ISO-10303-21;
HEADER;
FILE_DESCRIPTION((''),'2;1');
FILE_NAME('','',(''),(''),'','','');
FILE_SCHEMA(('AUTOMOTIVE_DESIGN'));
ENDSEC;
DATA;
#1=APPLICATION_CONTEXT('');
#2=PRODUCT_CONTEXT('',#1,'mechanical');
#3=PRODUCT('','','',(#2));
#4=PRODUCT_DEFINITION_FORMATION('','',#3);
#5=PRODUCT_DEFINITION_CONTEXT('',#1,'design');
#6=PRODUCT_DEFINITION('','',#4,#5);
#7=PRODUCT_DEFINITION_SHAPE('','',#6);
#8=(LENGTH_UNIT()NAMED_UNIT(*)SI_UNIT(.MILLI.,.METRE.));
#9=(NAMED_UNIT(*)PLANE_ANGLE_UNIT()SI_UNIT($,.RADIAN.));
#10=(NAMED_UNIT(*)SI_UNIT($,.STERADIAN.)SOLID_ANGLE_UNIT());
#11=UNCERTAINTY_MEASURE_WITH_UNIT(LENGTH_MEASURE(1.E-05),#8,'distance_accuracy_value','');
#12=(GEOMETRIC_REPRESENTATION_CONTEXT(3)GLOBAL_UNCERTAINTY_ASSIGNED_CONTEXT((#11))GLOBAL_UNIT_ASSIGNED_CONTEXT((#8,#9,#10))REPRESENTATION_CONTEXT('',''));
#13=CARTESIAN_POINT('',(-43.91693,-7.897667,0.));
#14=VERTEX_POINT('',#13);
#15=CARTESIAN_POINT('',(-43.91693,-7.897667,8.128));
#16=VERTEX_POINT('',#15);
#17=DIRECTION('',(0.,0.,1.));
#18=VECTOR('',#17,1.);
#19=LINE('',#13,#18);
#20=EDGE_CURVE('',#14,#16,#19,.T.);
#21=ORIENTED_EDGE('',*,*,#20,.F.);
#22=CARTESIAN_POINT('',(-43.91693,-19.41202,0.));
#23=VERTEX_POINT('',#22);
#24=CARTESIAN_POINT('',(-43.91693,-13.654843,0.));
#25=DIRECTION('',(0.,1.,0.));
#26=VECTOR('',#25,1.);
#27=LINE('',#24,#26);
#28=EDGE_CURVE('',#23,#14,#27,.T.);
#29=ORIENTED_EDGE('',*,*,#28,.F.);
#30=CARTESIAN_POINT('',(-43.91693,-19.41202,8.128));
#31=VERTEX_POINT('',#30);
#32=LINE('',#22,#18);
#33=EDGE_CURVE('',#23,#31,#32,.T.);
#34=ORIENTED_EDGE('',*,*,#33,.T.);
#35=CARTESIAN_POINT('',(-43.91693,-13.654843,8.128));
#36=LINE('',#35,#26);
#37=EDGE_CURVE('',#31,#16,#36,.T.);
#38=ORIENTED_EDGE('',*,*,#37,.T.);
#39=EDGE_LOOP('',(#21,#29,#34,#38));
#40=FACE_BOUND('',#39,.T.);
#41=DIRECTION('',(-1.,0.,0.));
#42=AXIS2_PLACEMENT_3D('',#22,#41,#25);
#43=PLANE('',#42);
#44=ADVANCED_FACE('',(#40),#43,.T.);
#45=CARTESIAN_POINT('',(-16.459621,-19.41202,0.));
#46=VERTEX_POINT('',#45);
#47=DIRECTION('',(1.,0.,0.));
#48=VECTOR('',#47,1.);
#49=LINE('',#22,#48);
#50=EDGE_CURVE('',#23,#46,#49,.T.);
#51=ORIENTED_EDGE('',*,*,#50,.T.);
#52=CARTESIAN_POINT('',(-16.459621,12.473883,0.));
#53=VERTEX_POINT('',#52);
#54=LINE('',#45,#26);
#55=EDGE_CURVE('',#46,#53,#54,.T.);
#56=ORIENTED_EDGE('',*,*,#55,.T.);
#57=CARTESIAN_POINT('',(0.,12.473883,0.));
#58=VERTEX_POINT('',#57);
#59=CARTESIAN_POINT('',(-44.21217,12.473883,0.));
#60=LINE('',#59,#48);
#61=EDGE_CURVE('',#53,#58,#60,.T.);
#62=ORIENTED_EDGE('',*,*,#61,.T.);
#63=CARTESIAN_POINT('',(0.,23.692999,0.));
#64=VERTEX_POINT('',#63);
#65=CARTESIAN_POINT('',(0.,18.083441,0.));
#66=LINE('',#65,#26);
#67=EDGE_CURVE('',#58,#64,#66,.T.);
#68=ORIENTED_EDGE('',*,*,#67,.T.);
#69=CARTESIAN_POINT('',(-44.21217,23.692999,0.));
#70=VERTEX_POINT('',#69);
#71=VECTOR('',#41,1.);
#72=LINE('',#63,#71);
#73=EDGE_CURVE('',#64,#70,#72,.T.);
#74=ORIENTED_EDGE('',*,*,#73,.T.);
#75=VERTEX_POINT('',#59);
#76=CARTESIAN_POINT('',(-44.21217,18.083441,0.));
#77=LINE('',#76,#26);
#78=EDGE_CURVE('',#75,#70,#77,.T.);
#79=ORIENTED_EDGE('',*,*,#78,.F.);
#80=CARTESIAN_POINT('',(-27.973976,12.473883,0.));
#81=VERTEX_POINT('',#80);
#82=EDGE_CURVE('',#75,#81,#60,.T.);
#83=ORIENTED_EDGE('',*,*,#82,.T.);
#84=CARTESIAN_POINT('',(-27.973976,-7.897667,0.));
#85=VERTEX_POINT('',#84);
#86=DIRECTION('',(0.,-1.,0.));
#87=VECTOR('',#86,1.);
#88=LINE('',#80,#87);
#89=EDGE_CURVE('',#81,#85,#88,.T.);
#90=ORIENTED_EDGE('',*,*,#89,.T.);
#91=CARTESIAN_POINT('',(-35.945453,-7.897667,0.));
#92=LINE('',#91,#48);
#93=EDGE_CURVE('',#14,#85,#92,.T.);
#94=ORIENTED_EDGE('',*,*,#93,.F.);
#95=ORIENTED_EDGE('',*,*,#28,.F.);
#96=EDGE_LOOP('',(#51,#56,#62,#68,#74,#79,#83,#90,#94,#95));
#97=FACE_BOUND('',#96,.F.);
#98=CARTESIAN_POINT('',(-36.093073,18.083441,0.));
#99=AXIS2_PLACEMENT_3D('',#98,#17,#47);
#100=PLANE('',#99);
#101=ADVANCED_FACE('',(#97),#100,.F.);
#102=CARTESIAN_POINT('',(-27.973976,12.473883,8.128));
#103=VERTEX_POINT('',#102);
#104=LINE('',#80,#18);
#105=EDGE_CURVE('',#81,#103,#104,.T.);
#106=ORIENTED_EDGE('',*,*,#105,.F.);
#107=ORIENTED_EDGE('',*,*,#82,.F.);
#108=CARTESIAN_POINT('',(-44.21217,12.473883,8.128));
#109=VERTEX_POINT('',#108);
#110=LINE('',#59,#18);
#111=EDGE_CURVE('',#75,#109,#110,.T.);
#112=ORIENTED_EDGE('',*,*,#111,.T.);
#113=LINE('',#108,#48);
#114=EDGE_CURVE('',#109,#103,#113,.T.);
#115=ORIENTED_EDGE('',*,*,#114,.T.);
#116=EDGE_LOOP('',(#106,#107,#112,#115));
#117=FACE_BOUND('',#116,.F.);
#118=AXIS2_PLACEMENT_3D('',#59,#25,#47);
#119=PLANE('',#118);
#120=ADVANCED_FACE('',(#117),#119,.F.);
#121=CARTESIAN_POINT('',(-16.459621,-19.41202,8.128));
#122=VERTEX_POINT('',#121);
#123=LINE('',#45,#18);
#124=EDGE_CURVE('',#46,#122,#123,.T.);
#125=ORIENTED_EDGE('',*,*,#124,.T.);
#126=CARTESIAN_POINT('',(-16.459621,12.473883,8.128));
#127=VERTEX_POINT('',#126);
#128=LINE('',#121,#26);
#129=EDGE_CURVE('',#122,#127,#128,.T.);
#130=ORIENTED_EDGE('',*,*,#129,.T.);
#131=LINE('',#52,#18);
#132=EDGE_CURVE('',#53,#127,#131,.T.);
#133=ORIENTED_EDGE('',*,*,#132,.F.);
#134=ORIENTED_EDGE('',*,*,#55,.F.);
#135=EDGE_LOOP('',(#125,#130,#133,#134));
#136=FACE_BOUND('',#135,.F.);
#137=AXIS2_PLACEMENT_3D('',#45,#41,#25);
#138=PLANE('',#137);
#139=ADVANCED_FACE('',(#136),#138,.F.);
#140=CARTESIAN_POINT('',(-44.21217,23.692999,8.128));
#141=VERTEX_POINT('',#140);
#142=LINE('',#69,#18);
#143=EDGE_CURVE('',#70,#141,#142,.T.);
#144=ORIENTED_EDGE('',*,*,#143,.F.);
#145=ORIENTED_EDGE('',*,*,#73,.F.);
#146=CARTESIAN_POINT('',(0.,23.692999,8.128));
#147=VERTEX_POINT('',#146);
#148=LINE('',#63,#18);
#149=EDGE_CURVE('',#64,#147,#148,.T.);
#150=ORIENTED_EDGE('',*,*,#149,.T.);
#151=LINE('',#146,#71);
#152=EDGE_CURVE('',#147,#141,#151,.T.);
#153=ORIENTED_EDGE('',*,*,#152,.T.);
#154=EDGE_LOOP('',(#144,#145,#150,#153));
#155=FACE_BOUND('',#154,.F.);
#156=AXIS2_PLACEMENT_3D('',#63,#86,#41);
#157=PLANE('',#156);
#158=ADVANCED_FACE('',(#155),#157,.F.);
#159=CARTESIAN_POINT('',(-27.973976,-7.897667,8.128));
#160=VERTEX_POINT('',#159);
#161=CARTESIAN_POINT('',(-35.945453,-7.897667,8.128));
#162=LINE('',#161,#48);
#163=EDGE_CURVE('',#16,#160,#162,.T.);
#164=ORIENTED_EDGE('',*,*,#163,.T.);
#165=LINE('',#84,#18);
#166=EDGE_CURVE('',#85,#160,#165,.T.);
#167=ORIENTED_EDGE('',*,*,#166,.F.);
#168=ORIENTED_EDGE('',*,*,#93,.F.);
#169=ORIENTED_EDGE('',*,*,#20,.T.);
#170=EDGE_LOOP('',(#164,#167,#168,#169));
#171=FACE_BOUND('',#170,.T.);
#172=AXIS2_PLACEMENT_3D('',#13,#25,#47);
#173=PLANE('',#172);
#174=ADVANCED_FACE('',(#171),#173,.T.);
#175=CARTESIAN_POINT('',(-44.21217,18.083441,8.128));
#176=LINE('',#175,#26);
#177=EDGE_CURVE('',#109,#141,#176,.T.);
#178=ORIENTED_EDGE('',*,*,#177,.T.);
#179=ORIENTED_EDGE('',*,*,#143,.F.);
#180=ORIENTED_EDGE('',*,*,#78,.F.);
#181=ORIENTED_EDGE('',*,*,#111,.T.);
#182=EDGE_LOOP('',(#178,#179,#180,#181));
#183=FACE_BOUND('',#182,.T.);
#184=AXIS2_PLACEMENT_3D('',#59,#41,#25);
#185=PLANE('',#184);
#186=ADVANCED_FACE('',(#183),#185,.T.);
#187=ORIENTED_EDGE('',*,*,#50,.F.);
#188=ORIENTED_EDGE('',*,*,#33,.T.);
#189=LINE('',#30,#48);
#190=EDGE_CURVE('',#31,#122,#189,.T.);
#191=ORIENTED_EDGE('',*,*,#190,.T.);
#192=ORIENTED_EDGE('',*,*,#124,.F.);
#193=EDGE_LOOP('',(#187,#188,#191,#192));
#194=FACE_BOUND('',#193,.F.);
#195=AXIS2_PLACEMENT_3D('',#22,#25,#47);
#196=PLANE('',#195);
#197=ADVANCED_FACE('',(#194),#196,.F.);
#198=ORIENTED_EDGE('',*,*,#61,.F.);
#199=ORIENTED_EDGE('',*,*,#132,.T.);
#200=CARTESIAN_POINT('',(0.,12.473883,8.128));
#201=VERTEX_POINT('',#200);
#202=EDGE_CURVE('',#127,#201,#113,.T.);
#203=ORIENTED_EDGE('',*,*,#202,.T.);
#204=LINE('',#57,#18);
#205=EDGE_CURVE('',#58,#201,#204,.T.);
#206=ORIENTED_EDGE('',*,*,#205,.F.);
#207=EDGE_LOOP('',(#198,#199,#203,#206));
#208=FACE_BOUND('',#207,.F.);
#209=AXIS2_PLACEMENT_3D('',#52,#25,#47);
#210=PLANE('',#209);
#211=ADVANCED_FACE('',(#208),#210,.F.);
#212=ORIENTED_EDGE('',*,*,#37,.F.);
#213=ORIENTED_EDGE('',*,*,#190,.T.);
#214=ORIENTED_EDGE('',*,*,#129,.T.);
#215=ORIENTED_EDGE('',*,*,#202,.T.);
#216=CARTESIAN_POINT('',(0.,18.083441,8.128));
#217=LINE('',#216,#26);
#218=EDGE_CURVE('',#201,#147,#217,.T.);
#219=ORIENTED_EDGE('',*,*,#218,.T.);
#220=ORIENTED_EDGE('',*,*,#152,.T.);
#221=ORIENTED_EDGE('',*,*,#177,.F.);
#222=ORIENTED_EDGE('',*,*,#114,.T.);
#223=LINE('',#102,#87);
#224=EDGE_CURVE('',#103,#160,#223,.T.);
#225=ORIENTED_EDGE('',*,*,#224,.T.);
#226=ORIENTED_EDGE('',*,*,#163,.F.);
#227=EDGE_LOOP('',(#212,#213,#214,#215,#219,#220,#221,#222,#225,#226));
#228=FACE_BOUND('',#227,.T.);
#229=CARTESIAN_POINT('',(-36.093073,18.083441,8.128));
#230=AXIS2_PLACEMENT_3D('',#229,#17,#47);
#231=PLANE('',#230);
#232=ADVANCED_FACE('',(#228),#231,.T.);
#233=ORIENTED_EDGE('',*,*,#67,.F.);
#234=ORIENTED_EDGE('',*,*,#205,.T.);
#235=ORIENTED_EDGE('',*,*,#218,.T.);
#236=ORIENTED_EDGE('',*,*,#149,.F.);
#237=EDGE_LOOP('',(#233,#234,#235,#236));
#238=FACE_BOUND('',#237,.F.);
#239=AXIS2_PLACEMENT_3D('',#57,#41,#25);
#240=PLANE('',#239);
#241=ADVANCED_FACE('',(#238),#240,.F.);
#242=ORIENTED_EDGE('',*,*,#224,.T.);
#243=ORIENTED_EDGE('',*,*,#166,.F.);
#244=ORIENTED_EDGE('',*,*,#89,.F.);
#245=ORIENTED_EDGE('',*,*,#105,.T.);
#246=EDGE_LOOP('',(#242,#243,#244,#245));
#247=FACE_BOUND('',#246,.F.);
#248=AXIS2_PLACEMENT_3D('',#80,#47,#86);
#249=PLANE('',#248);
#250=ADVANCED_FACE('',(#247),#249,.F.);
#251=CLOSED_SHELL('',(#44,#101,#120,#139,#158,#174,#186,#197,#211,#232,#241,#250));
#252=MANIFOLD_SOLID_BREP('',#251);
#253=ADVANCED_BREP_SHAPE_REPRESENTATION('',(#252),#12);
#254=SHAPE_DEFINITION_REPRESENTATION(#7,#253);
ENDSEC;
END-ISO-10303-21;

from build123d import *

# Parameters (mm, degrees)
F0_W     = 16.238193959
F0_H     = 11.2191159278
F0_W_2   = 11.5143544972
F0_W_3   = 16.459621489
F0_H_2   = 20.3715497628
F0_H_3   = 11.5143535659
F0_W_4   = 15.942953527
F1_DEPTH = 8.128


with BuildPart() as f1:
    # F0 (on Top) → F1 (new body)
    with BuildSketch(Plane.XY):
        with Locations((-36.0930729657, 18.0834410712)):
            Rectangle(F0_W, F0_H)
        with Locations((-22.2167987376, 18.0834410712)):
            Rectangle(F0_W_2, F0_H)
        with Locations((-8.2298107445, 18.0834410712)):
            Rectangle(F0_W_3, F0_H)
        with Locations((-22.2167987376, 2.2881082259)):
            Rectangle(F0_W_2, F0_H_2)
        with Locations((-22.2167987376, -13.6548434384)):
            Rectangle(F0_W_2, F0_H_3)
        with Locations((-35.9454527497, -13.6548434384)):
            Rectangle(F0_W_4, F0_H_3)
    extrude(amount=F1_DEPTH)


solid = f1.part
